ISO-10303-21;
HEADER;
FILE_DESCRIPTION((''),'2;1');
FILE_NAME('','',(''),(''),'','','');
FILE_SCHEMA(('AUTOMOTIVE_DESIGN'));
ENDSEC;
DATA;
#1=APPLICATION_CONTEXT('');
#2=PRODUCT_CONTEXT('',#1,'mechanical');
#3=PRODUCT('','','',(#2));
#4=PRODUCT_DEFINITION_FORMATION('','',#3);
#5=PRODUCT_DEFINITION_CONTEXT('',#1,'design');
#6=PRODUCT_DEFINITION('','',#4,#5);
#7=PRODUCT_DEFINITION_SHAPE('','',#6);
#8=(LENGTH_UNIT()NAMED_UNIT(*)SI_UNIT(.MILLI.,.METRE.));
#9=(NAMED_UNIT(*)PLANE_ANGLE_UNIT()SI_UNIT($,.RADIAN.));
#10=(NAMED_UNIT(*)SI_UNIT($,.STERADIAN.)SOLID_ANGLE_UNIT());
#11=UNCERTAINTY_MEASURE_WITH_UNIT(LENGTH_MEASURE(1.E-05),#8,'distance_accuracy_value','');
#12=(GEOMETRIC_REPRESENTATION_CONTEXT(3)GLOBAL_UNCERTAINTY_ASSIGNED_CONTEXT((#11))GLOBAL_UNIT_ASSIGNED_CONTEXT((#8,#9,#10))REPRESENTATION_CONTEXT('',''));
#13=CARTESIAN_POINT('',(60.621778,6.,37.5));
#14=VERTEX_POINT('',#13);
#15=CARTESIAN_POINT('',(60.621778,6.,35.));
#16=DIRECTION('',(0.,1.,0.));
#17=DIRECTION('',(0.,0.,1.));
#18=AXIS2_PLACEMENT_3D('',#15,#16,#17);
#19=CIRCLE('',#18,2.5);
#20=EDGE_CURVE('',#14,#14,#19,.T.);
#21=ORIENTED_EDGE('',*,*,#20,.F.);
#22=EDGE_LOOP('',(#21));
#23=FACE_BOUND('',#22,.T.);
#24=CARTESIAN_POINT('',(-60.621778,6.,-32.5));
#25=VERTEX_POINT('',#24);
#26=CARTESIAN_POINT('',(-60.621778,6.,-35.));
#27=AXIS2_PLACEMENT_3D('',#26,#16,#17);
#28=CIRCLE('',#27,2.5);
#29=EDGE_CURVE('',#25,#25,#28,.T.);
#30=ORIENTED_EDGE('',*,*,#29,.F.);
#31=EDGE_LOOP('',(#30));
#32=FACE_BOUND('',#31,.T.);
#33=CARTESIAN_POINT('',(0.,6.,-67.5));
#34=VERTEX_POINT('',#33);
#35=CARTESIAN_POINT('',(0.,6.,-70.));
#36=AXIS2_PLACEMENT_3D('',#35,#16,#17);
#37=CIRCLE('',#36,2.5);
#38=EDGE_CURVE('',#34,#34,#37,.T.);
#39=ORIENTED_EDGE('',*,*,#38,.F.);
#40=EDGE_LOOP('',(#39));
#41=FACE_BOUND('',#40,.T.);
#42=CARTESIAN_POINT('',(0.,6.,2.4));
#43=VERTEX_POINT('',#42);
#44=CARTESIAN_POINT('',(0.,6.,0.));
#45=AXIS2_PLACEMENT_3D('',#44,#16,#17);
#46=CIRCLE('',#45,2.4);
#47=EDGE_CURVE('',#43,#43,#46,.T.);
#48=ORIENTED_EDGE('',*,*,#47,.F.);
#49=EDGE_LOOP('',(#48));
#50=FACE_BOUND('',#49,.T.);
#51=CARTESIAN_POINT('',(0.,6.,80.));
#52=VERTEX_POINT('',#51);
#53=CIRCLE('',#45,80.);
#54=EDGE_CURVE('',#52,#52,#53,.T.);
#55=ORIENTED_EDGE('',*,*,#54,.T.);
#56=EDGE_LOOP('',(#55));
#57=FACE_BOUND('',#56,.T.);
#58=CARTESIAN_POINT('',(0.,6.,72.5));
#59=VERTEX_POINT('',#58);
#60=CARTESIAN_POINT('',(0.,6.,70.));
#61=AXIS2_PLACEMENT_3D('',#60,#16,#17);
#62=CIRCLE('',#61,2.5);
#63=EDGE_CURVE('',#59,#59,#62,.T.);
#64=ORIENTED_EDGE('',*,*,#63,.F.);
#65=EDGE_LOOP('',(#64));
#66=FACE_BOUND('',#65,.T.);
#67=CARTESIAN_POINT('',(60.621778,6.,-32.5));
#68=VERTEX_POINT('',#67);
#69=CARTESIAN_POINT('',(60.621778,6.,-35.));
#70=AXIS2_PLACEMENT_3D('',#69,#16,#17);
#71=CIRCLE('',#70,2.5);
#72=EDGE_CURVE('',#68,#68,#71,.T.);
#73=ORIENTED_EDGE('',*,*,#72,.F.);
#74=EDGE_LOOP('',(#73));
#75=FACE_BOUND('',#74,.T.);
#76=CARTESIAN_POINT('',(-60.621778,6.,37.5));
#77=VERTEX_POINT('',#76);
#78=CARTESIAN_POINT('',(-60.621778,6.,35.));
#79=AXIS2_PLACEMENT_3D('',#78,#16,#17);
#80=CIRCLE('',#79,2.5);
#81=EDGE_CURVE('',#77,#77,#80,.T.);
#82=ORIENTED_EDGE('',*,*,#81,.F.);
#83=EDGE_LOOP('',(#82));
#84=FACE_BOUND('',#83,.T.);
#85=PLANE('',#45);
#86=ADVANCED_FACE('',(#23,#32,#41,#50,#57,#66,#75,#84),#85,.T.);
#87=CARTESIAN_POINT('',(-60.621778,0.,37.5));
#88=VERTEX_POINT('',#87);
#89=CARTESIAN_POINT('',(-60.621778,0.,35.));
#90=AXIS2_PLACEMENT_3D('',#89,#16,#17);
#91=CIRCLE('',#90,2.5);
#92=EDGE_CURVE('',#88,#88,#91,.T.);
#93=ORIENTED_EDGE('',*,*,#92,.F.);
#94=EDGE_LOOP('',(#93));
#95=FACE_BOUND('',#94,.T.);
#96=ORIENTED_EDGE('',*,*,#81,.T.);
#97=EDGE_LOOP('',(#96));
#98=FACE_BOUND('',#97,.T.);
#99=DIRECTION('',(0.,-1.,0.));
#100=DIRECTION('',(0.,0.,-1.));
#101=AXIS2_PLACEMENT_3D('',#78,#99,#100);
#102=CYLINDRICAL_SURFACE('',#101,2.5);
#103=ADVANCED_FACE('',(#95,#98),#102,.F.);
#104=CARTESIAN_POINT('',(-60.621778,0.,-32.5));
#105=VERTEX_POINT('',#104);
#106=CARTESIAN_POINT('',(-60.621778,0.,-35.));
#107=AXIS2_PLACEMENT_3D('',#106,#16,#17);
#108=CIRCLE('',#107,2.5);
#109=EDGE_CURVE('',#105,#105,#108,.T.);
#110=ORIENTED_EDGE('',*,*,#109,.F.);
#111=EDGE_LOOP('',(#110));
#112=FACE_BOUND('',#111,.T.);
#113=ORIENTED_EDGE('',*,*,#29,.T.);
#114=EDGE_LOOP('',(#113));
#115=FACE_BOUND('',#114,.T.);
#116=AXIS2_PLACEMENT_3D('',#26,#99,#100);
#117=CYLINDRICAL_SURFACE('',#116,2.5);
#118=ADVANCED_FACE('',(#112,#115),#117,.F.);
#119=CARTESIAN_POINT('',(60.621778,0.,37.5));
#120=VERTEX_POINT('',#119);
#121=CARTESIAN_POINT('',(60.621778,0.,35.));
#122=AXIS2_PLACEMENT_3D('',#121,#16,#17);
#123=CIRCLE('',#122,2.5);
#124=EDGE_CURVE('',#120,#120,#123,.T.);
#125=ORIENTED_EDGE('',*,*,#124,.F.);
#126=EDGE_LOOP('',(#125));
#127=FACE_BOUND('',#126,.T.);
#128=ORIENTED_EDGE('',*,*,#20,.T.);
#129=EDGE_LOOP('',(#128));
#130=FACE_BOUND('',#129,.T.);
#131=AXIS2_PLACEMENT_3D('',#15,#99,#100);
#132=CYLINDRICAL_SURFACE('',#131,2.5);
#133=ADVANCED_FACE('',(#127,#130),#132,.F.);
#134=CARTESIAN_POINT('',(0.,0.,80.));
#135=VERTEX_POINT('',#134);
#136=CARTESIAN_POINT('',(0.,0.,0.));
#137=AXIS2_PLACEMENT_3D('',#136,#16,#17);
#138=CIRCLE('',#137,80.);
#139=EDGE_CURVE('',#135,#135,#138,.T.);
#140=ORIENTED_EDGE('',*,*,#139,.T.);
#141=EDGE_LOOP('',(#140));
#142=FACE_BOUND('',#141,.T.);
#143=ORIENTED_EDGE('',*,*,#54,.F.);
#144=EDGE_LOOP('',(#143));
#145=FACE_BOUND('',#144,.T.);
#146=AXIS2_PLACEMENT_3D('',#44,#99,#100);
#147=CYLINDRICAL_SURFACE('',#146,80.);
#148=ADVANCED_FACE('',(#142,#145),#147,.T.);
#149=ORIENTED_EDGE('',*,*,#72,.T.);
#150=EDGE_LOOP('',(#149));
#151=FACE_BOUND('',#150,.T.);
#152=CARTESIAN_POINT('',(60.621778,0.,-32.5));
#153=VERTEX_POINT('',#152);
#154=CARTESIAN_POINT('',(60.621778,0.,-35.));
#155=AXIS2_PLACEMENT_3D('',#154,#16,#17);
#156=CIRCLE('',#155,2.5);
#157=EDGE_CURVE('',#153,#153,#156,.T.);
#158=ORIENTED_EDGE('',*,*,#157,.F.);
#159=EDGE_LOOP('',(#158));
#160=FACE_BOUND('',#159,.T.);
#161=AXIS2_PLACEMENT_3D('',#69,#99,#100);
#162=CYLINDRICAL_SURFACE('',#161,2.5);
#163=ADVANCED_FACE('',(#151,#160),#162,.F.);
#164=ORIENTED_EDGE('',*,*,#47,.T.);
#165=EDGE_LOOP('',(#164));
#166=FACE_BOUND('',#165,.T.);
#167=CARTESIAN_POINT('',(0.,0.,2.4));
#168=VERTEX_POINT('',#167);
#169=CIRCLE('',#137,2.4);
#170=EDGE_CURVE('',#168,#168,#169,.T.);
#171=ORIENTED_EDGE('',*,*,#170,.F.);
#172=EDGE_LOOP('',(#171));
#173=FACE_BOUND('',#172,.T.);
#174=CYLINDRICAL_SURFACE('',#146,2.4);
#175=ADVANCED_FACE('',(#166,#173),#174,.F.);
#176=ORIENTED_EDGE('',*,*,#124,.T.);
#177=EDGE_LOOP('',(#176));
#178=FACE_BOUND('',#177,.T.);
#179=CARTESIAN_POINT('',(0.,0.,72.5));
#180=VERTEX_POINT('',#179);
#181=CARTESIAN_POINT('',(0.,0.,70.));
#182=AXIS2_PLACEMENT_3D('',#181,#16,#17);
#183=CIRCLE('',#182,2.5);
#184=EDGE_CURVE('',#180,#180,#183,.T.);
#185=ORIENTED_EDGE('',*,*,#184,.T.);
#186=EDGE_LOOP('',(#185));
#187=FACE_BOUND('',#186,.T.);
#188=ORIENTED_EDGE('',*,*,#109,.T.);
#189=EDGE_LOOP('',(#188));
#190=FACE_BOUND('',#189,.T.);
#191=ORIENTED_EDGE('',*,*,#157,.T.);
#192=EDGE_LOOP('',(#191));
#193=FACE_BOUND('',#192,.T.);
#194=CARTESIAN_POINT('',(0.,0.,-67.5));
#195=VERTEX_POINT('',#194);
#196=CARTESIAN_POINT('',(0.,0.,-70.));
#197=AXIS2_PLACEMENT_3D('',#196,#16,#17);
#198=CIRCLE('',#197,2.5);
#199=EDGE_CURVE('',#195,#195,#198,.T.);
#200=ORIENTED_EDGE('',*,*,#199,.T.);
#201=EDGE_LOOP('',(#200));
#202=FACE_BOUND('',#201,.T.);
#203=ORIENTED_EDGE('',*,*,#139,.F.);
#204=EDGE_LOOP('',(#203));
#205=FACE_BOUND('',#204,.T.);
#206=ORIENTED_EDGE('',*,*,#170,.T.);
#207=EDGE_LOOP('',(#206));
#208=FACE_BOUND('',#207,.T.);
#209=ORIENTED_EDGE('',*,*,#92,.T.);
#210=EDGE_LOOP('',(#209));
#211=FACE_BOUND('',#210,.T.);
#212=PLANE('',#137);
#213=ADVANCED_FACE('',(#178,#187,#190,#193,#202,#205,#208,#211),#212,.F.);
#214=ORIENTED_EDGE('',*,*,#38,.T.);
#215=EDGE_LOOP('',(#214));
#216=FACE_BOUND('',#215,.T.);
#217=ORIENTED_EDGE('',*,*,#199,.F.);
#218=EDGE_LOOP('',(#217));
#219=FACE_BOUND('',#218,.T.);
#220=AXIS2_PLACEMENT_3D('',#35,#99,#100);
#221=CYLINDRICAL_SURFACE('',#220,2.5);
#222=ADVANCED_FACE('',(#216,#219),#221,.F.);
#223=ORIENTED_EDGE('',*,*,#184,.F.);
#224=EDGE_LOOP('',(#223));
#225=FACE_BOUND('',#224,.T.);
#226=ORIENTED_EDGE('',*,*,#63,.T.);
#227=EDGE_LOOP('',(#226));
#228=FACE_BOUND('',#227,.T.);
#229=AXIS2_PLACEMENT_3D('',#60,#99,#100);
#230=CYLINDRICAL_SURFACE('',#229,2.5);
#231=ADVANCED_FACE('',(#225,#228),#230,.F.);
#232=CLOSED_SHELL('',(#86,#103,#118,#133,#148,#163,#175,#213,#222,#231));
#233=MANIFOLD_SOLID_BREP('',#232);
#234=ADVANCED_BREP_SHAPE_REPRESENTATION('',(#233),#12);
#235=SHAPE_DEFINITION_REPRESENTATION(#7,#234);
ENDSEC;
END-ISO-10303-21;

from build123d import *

# Parameters (mm, degrees)
SKETCH1_R           = 80
SKETCH1_R_2         = 2.5
SKETCH1_R_3         = 2.4
BOSS_EXTRUDE1_DEPTH = 6


with BuildPart() as part:
    # Sketch1 → Boss-Extrude1 (new body)
    with BuildSketch(Plane(origin=(0, 0, 0), x_dir=(1, 0, 0), z_dir=(0, 1, 0))):
        with Locations(Location((0, 0, 0), (0, 0, 270))):
            Circle(SKETCH1_R)
        with Locations(Location((0, 70, 0), (0, 0, 270))):
            Circle(SKETCH1_R_2, mode=Mode.SUBTRACT)
        with Locations(Location((60.621778265, 35, 0), (0, 0, 270))):
            Circle(SKETCH1_R_2, mode=Mode.SUBTRACT)
        with Locations(Location((60.621778265, -35, 0), (0, 0, 270))):
            Circle(SKETCH1_R_2, mode=Mode.SUBTRACT)
        with Locations(Location((0, -70, 0), (0, 0, 270))):
            Circle(SKETCH1_R_2, mode=Mode.SUBTRACT)
        with Locations(Location((-60.621778265, -35, 0), (0, 0, 270))):
            Circle(SKETCH1_R_2, mode=Mode.SUBTRACT)
        with Locations(Location((-60.621778265, 35, 0), (0, 0, 270))):
            Circle(SKETCH1_R_2, mode=Mode.SUBTRACT)
        with Locations(Location((0, 0, 0), (0, 0, 270))):
            Circle(SKETCH1_R_3, mode=Mode.SUBTRACT)
    extrude(amount=BOSS_EXTRUDE1_DEPTH)


solid = part.part
